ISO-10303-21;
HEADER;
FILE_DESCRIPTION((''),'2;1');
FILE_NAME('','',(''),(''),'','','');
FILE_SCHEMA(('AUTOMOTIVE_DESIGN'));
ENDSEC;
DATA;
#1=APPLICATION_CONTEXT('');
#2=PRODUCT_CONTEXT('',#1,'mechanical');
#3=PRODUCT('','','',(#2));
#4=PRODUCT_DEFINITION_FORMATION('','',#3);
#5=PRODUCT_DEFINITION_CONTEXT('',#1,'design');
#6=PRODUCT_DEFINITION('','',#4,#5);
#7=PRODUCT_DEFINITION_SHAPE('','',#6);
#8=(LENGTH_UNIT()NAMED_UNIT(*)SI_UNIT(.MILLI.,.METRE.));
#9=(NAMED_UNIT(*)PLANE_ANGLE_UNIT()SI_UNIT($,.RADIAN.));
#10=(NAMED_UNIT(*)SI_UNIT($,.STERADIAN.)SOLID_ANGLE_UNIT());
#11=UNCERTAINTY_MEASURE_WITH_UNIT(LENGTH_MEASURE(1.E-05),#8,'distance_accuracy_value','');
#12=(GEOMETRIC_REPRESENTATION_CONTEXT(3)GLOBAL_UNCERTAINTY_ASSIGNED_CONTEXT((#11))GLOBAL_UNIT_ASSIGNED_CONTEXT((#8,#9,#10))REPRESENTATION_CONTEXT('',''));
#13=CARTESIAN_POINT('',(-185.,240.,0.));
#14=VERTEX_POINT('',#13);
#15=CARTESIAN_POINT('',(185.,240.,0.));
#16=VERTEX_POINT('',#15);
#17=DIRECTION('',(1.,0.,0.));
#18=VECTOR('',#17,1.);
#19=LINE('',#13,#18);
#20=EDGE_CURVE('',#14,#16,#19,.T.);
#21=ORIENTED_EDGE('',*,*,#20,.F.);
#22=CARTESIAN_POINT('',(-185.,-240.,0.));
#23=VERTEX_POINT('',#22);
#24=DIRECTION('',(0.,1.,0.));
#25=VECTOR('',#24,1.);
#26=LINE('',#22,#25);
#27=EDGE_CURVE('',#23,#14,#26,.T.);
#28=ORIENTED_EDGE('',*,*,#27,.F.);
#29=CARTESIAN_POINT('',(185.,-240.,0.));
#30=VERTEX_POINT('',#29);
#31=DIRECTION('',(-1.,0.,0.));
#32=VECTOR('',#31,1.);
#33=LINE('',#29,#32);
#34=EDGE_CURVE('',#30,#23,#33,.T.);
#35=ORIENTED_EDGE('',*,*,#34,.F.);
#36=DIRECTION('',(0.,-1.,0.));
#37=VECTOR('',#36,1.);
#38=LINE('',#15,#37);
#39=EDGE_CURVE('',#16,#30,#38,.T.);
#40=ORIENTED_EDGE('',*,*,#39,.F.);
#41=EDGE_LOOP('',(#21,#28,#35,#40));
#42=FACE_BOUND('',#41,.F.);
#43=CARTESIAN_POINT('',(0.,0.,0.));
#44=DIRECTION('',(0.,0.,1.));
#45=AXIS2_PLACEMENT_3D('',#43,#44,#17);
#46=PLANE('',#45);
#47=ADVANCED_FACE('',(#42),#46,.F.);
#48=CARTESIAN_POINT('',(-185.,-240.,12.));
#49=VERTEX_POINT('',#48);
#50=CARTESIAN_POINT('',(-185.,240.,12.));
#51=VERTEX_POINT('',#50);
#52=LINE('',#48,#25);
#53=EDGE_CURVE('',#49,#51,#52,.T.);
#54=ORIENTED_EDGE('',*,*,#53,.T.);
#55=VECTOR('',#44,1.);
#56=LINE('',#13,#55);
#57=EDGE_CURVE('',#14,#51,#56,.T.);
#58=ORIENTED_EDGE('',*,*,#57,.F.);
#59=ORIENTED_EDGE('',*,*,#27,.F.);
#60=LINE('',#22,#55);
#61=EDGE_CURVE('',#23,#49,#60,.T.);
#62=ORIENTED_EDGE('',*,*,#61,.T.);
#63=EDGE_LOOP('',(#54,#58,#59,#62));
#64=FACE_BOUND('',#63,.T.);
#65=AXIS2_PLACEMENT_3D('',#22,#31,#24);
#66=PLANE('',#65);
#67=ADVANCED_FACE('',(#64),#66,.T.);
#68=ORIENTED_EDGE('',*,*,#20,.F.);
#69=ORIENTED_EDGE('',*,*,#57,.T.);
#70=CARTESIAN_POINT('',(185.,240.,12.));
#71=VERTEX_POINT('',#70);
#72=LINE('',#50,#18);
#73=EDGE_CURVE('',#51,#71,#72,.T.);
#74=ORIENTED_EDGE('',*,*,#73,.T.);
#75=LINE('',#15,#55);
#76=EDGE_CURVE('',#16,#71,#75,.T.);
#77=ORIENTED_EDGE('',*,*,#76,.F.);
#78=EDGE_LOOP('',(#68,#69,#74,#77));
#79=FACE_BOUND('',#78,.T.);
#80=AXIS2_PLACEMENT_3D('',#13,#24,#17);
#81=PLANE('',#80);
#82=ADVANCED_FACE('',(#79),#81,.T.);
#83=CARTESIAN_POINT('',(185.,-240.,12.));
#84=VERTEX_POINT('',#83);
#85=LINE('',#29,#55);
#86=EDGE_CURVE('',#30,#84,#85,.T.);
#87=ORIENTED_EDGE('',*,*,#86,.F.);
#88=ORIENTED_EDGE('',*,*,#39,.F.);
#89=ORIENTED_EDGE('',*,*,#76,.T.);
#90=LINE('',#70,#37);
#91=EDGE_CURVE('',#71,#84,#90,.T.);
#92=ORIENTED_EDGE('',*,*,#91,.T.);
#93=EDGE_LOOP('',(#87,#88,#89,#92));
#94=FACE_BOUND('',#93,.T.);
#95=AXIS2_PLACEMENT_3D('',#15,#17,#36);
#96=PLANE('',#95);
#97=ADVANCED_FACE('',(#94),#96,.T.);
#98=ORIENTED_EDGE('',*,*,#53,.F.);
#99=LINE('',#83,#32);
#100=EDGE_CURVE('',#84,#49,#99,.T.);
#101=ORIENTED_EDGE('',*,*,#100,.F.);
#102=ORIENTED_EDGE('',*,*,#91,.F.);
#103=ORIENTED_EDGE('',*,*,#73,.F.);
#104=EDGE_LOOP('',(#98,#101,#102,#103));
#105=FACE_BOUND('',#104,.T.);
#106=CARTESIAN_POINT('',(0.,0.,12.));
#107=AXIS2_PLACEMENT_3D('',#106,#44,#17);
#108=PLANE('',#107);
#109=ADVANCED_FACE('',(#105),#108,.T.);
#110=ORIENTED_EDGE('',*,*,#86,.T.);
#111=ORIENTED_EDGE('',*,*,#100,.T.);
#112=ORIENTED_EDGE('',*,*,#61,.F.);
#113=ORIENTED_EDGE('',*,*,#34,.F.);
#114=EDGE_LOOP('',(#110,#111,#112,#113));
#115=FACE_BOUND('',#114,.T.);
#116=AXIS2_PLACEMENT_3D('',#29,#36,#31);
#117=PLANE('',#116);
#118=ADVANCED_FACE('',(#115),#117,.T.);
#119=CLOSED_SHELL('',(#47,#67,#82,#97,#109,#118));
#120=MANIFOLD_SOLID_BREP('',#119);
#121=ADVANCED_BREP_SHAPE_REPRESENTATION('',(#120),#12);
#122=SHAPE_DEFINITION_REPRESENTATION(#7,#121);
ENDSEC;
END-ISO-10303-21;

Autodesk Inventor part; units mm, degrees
ref_plane "YZ Plane" through (0, 0, 0) normal (1, 0, 0) x (0, 1, 0)
ref_plane "XZ Plane" through (0, 0, 0) normal (0, 1, 0) x (-1, 0, 0)
ref_plane "XY Plane" through (0, 0, 0) normal (0, 0, 1) x (1, 0, 0)
sketch "Sketch1" plane through (0, 0, 0) normal (0, 0, 1) x (1, 0, 0)
  line L0 (185, -240) -> (-185, -240)
  line L1 (-185, -240) -> (-185, 240)
  line L2 (-185, 240) -> (185, 240)
  line L3 (185, 240) -> (185, -240)
  line L4 (185, -240) -> (-185, 240) construction
  line L5 (-185, -240) -> (185, 240) construction
  point P0 (0, 0)
  dimension "d0" = 480
  dimension "d1" = 370
extrude "Extrusion1" add sketch "Sketch1" along normal blind 12
properties part number "GBX_001.1-side-plate"
